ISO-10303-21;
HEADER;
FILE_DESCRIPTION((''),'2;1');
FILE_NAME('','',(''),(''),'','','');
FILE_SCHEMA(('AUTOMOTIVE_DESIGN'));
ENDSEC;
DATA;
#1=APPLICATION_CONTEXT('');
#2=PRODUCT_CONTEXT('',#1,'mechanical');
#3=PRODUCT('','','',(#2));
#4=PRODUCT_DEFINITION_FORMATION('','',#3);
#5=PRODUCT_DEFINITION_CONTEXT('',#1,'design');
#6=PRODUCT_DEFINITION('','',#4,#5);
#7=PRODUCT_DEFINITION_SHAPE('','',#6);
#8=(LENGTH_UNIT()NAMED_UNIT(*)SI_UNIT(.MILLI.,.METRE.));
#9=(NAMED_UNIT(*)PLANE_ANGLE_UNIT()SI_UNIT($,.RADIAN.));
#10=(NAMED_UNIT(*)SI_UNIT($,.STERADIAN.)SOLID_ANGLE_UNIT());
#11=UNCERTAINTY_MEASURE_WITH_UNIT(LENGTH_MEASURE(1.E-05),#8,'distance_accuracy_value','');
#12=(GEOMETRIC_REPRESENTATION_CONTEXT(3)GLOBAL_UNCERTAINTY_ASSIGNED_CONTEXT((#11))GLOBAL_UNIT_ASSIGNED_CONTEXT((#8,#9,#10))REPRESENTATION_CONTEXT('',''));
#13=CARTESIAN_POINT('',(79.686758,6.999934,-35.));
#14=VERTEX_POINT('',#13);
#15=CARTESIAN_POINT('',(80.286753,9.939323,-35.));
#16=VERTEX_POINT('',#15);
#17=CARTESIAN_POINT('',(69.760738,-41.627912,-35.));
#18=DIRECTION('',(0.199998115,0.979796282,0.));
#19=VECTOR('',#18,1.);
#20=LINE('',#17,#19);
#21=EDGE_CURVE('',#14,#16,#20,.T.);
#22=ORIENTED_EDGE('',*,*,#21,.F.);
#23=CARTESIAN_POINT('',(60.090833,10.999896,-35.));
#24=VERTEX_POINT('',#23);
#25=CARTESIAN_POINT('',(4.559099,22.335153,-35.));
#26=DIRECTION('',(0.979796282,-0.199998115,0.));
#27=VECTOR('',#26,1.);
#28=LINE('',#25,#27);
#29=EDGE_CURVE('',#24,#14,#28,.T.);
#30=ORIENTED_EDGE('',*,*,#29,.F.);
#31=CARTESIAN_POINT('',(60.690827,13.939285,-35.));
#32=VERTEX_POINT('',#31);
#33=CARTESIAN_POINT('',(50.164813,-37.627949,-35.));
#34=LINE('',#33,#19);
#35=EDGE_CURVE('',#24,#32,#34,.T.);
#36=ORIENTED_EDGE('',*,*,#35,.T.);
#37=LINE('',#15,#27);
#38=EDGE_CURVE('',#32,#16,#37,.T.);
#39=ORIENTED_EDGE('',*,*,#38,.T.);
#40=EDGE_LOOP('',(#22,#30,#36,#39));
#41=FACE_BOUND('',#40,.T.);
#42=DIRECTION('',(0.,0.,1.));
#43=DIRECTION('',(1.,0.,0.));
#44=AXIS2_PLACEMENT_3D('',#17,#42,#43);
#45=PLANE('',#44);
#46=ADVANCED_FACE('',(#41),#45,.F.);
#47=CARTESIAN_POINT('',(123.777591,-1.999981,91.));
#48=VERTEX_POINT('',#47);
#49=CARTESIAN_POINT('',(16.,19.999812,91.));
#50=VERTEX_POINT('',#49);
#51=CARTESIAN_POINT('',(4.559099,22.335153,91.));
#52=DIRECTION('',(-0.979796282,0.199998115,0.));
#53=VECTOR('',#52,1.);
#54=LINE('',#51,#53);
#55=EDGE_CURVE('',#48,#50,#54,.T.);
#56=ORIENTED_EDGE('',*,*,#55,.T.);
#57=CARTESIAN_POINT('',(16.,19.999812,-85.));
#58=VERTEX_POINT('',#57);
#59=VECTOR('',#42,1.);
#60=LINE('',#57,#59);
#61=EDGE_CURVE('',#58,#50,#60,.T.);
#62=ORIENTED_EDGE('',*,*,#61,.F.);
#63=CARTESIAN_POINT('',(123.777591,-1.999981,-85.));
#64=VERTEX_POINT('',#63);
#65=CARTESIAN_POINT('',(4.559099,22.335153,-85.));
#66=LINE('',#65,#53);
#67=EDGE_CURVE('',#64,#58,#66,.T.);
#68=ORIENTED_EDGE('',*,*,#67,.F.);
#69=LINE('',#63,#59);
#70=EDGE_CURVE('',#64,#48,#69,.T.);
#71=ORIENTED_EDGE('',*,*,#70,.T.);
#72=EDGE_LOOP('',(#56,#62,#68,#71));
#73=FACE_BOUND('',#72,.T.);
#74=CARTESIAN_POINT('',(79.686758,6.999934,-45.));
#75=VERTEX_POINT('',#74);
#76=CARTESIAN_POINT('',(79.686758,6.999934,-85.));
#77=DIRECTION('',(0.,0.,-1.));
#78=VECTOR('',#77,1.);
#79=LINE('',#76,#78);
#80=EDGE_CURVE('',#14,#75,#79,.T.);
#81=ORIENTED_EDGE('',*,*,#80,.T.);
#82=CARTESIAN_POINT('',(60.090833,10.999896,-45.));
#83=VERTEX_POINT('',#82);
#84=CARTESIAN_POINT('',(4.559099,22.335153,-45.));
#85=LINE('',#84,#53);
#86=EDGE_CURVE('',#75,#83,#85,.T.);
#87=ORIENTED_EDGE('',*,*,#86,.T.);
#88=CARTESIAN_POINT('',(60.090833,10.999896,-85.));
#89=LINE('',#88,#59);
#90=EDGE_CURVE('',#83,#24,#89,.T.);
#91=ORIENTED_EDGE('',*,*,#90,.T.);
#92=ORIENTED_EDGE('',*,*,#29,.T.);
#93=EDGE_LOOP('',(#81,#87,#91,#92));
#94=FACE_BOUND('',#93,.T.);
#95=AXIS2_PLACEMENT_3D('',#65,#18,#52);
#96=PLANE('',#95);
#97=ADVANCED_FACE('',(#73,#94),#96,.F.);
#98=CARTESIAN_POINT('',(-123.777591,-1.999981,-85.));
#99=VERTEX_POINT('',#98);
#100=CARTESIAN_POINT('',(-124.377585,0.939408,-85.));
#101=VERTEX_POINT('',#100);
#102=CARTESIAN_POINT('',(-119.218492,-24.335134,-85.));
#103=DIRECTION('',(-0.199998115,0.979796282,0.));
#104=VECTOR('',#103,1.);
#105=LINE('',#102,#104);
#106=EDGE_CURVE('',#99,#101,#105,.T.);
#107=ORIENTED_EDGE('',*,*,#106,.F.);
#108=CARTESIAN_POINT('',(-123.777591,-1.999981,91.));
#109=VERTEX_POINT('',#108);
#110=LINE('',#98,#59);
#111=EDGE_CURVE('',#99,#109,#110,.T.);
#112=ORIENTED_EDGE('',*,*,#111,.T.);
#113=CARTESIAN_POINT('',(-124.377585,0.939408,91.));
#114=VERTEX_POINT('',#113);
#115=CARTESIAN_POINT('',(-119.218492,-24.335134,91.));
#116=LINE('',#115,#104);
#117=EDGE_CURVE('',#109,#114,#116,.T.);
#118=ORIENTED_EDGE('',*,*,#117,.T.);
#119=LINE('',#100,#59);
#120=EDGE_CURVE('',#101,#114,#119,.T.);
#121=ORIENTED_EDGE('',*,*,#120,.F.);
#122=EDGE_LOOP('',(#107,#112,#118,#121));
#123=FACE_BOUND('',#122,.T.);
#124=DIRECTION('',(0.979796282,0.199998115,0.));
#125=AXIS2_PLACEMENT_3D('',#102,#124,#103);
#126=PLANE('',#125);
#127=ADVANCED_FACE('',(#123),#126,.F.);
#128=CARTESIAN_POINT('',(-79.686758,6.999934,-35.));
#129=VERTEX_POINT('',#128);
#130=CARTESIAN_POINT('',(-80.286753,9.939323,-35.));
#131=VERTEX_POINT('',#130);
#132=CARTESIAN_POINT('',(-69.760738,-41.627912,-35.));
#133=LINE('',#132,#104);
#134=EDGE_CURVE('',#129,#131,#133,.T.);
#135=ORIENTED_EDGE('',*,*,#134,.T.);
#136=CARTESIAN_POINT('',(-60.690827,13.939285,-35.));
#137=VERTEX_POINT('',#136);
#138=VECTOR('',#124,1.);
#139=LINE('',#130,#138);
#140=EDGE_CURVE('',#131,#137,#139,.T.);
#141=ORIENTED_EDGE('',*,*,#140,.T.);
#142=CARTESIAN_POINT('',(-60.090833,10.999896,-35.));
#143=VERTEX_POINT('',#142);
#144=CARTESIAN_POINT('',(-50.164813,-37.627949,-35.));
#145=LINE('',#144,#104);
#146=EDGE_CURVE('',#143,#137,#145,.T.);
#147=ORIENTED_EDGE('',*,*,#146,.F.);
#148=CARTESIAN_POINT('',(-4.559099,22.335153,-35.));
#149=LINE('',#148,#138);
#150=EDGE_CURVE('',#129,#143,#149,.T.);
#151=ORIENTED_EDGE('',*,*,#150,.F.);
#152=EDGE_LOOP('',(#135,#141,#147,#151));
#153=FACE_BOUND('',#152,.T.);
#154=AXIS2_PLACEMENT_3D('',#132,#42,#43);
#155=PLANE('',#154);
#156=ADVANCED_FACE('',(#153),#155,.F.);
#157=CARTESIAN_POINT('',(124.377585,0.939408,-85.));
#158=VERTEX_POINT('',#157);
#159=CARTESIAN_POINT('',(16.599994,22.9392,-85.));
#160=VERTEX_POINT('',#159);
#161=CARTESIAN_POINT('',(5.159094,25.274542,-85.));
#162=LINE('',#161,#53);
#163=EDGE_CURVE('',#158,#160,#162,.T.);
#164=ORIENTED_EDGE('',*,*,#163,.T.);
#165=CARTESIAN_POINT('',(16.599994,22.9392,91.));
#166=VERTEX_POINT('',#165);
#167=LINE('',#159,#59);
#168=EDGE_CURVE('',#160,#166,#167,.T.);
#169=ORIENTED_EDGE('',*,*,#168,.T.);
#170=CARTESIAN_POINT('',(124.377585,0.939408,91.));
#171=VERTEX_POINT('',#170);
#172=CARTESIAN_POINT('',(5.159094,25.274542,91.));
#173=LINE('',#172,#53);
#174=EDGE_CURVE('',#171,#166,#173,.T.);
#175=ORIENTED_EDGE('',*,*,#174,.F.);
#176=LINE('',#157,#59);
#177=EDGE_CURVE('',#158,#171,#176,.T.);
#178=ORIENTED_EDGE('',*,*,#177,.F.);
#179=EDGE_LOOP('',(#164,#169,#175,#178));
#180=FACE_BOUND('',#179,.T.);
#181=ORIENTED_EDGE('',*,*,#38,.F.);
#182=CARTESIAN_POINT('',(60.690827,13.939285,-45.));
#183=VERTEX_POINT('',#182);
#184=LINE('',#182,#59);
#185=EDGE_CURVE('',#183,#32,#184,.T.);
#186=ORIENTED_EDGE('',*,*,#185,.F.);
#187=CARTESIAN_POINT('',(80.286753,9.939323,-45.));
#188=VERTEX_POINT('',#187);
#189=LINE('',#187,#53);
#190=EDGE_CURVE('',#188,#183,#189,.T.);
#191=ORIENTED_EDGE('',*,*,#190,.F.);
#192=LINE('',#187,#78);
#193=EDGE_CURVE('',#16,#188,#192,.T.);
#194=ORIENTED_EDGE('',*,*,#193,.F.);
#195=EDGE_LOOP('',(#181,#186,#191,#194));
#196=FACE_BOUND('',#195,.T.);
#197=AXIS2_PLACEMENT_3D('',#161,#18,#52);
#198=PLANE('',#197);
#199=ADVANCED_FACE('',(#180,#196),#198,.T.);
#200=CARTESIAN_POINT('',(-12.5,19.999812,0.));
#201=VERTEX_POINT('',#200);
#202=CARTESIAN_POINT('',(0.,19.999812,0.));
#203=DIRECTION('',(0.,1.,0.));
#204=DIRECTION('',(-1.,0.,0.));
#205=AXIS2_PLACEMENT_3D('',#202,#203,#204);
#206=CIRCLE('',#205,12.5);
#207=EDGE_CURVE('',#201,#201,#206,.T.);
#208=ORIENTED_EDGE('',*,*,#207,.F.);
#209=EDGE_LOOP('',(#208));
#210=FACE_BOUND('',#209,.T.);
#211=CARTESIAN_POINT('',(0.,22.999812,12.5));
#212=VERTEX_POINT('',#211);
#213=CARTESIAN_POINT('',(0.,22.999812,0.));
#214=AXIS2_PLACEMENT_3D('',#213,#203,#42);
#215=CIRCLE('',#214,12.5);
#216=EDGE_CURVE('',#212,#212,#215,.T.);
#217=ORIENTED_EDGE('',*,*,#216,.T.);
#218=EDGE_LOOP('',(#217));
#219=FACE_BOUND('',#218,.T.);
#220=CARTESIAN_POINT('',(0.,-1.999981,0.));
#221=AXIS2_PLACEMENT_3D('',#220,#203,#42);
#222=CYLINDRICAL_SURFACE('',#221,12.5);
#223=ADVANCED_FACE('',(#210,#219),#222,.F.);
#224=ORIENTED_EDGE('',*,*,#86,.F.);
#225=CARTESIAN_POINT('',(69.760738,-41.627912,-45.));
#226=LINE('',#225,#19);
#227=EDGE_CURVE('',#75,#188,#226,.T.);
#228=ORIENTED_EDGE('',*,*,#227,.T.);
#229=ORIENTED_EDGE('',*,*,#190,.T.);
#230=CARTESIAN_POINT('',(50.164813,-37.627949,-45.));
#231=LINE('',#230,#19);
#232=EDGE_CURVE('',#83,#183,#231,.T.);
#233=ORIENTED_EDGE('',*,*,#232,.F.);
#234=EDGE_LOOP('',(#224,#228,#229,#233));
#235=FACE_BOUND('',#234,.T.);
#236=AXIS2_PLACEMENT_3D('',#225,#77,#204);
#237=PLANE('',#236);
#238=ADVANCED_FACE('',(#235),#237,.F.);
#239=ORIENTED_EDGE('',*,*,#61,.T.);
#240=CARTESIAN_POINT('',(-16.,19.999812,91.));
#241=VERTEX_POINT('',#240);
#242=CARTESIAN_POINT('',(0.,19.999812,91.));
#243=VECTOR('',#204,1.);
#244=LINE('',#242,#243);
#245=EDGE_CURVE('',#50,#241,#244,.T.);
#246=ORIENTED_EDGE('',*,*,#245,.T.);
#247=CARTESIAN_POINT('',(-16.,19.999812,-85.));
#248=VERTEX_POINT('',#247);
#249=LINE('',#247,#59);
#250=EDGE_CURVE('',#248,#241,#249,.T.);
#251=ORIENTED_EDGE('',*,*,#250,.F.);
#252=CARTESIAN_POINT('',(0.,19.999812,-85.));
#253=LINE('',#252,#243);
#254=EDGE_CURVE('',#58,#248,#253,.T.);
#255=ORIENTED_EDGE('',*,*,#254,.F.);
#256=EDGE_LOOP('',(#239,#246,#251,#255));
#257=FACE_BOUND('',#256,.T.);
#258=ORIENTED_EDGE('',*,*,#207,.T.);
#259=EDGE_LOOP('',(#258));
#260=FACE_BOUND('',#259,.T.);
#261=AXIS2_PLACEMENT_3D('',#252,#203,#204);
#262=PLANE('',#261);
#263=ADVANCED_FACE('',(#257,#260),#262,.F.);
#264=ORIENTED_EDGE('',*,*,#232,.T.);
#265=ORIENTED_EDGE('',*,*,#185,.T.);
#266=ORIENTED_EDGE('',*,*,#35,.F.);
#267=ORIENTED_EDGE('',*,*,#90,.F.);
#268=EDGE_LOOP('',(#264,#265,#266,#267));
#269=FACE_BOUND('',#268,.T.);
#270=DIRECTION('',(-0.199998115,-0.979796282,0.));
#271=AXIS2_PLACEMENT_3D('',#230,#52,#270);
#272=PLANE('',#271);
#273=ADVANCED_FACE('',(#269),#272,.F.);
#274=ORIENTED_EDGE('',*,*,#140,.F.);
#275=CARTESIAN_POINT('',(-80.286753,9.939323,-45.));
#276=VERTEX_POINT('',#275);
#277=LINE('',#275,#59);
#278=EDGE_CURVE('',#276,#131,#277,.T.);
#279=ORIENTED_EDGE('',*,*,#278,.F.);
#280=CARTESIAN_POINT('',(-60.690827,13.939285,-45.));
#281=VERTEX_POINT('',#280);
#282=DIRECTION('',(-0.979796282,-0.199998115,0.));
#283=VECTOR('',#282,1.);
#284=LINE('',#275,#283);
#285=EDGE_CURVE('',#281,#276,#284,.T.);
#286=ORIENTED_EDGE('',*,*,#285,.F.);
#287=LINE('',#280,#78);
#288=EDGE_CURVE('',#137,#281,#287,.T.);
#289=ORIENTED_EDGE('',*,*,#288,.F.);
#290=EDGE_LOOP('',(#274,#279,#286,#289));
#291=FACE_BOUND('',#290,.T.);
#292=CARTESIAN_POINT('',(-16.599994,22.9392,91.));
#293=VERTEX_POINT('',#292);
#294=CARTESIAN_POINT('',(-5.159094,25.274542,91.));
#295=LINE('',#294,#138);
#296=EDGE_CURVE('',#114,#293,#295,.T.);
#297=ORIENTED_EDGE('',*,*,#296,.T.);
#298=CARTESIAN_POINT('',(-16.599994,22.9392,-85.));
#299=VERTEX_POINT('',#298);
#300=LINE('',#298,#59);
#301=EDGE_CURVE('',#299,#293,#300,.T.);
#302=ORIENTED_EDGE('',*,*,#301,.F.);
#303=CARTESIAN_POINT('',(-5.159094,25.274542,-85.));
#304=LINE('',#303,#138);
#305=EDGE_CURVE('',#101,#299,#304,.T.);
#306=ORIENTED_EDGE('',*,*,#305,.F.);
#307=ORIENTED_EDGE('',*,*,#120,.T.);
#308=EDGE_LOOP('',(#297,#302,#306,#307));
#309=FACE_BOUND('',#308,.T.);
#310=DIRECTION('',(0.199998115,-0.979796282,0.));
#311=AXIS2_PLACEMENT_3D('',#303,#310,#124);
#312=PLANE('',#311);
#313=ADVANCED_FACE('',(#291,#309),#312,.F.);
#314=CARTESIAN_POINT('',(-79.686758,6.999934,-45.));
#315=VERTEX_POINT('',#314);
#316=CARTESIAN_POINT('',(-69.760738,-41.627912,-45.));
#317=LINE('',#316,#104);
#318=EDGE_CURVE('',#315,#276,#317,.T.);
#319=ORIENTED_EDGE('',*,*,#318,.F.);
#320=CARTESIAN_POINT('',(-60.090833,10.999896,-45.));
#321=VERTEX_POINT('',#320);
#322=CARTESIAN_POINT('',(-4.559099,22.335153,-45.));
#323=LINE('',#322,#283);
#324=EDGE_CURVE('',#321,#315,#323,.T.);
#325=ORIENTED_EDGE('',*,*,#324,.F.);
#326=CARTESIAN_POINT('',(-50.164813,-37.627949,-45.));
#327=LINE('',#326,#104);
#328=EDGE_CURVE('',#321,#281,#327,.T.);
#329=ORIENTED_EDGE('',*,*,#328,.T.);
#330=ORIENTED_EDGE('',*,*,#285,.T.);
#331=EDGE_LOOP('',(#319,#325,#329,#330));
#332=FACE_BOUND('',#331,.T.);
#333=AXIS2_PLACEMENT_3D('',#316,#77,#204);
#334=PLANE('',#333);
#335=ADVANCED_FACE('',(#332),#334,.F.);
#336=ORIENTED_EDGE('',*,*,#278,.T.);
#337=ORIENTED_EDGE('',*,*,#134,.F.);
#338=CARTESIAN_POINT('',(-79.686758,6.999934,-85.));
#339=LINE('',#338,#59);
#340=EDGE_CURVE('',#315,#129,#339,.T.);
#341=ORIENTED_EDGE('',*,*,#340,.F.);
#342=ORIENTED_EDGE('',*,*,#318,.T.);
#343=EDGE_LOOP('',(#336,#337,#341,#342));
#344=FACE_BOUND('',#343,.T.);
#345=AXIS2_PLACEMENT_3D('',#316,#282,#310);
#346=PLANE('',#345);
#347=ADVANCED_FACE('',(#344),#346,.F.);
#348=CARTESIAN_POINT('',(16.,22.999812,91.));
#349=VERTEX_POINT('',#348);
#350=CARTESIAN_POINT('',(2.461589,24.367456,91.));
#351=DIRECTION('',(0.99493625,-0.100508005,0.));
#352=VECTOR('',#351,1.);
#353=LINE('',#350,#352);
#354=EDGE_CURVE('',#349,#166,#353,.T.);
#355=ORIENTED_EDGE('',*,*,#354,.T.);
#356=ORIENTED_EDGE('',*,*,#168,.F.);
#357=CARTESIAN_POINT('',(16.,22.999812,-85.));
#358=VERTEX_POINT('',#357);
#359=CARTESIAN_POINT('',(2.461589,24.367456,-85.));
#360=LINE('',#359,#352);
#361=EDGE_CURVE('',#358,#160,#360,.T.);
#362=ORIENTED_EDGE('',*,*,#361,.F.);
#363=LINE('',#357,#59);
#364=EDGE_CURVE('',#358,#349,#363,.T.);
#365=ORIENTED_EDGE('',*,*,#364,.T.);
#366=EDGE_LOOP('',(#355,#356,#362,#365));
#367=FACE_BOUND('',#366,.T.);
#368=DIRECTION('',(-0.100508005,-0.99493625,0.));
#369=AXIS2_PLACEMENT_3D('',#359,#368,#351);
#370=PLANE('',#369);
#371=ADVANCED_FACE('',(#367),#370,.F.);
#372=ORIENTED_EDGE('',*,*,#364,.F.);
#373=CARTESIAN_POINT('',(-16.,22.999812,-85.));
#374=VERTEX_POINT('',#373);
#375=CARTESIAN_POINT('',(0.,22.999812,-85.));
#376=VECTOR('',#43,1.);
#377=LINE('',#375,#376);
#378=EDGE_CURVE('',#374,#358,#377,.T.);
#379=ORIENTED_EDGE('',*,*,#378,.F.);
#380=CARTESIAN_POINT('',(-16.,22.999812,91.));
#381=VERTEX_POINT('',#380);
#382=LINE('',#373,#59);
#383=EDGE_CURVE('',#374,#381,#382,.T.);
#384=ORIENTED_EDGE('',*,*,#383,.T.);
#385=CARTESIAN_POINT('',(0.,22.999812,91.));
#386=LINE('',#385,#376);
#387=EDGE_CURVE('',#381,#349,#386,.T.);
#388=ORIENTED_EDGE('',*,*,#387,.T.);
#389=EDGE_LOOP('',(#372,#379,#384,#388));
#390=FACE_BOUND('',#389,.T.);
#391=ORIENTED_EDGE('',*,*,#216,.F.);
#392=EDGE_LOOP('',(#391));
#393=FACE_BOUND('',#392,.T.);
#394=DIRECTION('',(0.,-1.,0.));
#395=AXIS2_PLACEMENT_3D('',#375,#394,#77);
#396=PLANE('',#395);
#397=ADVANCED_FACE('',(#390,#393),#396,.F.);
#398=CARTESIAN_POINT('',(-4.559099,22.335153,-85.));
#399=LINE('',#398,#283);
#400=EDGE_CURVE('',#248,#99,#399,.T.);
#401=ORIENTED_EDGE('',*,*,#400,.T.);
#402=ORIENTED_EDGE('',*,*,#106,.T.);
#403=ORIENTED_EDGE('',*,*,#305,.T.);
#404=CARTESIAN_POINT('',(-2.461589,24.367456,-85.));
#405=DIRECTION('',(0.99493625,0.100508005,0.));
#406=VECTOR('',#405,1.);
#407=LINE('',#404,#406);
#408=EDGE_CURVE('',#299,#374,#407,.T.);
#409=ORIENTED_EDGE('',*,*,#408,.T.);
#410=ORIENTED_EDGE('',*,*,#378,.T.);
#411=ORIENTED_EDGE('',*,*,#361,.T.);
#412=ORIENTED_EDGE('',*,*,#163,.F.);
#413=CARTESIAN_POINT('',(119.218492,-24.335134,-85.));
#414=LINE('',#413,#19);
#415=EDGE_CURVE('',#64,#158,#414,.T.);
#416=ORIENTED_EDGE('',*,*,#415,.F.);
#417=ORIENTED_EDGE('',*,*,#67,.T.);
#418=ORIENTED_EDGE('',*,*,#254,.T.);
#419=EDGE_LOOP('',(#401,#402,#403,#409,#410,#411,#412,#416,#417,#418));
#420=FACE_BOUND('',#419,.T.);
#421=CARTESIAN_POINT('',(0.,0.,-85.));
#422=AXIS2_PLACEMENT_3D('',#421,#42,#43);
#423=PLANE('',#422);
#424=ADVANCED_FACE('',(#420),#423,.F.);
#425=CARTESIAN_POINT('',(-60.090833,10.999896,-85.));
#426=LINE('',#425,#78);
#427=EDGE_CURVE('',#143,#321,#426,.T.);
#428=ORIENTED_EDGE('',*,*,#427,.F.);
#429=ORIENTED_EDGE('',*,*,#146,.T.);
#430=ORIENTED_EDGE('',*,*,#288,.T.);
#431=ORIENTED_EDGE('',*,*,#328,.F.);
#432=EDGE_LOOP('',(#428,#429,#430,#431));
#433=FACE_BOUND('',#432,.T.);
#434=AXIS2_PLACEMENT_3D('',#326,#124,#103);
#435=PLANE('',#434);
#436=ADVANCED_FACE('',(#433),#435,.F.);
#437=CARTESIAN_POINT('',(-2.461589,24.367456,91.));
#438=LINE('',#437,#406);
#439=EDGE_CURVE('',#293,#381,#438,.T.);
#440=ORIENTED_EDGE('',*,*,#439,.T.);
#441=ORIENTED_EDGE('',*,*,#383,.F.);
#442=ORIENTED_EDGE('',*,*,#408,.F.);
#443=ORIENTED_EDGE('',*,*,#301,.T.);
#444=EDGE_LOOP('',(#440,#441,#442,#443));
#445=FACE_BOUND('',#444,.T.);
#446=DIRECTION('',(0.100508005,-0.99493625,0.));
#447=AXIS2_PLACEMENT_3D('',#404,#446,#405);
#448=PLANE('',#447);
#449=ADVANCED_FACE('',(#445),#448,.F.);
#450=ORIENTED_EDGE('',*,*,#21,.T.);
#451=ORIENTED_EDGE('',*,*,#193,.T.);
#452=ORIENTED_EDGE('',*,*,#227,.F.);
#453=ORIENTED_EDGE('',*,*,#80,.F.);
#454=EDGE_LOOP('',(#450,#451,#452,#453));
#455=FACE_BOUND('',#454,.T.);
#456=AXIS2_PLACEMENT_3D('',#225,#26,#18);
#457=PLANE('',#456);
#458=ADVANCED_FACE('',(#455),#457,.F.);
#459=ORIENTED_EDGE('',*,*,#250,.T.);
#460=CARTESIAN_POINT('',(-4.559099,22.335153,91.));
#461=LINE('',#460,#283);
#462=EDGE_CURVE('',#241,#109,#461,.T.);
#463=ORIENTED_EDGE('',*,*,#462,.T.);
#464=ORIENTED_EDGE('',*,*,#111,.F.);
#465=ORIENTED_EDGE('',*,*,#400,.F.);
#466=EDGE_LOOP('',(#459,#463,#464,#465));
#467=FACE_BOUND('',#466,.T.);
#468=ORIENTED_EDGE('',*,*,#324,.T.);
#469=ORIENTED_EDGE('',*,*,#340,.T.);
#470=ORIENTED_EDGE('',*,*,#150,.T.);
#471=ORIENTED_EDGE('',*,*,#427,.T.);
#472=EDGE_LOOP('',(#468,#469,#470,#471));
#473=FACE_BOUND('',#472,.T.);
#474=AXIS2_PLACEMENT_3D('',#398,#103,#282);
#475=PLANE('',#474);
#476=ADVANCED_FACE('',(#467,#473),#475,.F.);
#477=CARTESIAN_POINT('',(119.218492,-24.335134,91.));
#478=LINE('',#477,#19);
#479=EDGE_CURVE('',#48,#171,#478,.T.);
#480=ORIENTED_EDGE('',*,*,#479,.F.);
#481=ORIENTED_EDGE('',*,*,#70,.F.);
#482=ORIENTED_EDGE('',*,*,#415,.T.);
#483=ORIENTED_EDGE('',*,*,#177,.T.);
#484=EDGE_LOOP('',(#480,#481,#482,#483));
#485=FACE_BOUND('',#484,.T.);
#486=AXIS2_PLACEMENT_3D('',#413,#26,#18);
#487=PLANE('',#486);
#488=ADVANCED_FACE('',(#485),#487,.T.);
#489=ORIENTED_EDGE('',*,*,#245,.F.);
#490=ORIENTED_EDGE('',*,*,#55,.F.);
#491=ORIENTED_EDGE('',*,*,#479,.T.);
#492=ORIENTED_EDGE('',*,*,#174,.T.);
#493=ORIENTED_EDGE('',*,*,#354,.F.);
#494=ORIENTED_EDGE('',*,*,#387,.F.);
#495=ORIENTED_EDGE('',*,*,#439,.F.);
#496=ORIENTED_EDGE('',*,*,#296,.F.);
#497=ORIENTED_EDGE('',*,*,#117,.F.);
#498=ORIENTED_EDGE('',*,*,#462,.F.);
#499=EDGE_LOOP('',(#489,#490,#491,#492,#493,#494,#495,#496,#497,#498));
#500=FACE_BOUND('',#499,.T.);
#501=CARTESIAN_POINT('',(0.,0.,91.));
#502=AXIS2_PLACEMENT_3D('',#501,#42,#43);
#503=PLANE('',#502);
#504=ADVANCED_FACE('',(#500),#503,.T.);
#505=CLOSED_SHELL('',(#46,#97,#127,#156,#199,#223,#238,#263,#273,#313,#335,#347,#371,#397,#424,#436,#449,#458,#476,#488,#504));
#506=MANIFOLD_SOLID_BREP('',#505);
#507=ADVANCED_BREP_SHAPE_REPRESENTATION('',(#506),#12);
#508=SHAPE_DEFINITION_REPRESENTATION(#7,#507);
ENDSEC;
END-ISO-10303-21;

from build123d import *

# Parameters (mm, degrees)
BOSS_EXTRUDE1_DEPTH      = 3
BOSS_EXTRUDE2_DEPTH      = 88
BOSS_EXTRUDE2_DEPTH_BACK = 88
CUT_EXTRUDE1_DEPTH       = 50
SKETCH4_R                = 12.5
CUT_EXTRUDE2_DEPTH       = 25.999792682
SKETCH5_W                = 20
SKETCH5_H                = 10
CUT_EXTRUDE3_DEPTH       = 53.630567568
SKETCH6_W                = 20
SKETCH6_H                = 10
CUT_EXTRUDE4_DEPTH       = 53.630567568


with BuildPart() as part:
    # Sketch1 → Boss-Extrude1 (new body)
    with BuildSketch(Plane.XY):
        Polygon((-16, 19.999811529), (16, 19.999811529), (113.979628183, 0), (113.979628183, -10), (-113.979628183, -10), (-113.979628183, 0), align=None)
    extrude(amount=BOSS_EXTRUDE1_DEPTH)

    # Sketch2 → Boss-Extrude2 (add, two sides)
    with BuildSketch(Plane.XY.offset(3)) as boss_extrude2_sk:
        Polygon((-113.979628183, 0), (-16, 19.999811529), (16, 19.999811529), (113.979628183, 0), (123.777591001, -1.999981153), (124.377585347, 0.939407693), (16.599994346, 22.939200374), (16, 22.999811529), (-16, 22.999811529), (-16.599994346, 22.939200374), (-124.377585347, 0.939407693), (-123.777591001, -1.999981153), align=None)
    extrude(amount=BOSS_EXTRUDE2_DEPTH)
    extrude(boss_extrude2_sk.sketch, amount=-BOSS_EXTRUDE2_DEPTH_BACK)

    # Sketch3 → Cut-Extrude1 (cut)
    with BuildSketch(Plane.XY.offset(3)):
        Polygon((113.979628183, 0), (16, 19.999811529), (-16, 19.999811529), (-113.979628183, 0), (-113.979628183, -10), (113.979628183, -10), align=None)
    extrude(amount=-CUT_EXTRUDE1_DEPTH, mode=Mode.SUBTRACT)

    # Sketch4 → Cut-Extrude2 (cut, through all)
    with BuildSketch(Plane(origin=(0, 22.999811529, 0), x_dir=(1, 0, 0), z_dir=(0, 1, 0))):
        Circle(SKETCH4_R)
    extrude(amount=-CUT_EXTRUDE2_DEPTH, mode=Mode.SUBTRACT)

    # Sketch5 → Cut-Extrude3 (cut, through all)
    with BuildSketch(Plane(origin=(-5.159093546, 25.274541546, 0), x_dir=(0.979796282, 0.199998115, 0), z_dir=(-0.199998115, 0.979796282, 0))):
        with Locations((-66.676815897, 40)):
            Rectangle(SKETCH5_W, SKETCH5_H)
    extrude(amount=-CUT_EXTRUDE3_DEPTH, mode=Mode.SUBTRACT)

    # Sketch6 → Cut-Extrude4 (cut, through all)
    with BuildSketch(Plane(origin=(5.159093546, 25.274541546, 0), x_dir=(0.979796282, -0.199998115, 0), z_dir=(0.199998115, 0.979796282, 0))):
        with Locations((66.676815897, 40)):
            Rectangle(SKETCH6_W, SKETCH6_H)
    extrude(amount=-CUT_EXTRUDE4_DEPTH, mode=Mode.SUBTRACT)


solid = part.part
